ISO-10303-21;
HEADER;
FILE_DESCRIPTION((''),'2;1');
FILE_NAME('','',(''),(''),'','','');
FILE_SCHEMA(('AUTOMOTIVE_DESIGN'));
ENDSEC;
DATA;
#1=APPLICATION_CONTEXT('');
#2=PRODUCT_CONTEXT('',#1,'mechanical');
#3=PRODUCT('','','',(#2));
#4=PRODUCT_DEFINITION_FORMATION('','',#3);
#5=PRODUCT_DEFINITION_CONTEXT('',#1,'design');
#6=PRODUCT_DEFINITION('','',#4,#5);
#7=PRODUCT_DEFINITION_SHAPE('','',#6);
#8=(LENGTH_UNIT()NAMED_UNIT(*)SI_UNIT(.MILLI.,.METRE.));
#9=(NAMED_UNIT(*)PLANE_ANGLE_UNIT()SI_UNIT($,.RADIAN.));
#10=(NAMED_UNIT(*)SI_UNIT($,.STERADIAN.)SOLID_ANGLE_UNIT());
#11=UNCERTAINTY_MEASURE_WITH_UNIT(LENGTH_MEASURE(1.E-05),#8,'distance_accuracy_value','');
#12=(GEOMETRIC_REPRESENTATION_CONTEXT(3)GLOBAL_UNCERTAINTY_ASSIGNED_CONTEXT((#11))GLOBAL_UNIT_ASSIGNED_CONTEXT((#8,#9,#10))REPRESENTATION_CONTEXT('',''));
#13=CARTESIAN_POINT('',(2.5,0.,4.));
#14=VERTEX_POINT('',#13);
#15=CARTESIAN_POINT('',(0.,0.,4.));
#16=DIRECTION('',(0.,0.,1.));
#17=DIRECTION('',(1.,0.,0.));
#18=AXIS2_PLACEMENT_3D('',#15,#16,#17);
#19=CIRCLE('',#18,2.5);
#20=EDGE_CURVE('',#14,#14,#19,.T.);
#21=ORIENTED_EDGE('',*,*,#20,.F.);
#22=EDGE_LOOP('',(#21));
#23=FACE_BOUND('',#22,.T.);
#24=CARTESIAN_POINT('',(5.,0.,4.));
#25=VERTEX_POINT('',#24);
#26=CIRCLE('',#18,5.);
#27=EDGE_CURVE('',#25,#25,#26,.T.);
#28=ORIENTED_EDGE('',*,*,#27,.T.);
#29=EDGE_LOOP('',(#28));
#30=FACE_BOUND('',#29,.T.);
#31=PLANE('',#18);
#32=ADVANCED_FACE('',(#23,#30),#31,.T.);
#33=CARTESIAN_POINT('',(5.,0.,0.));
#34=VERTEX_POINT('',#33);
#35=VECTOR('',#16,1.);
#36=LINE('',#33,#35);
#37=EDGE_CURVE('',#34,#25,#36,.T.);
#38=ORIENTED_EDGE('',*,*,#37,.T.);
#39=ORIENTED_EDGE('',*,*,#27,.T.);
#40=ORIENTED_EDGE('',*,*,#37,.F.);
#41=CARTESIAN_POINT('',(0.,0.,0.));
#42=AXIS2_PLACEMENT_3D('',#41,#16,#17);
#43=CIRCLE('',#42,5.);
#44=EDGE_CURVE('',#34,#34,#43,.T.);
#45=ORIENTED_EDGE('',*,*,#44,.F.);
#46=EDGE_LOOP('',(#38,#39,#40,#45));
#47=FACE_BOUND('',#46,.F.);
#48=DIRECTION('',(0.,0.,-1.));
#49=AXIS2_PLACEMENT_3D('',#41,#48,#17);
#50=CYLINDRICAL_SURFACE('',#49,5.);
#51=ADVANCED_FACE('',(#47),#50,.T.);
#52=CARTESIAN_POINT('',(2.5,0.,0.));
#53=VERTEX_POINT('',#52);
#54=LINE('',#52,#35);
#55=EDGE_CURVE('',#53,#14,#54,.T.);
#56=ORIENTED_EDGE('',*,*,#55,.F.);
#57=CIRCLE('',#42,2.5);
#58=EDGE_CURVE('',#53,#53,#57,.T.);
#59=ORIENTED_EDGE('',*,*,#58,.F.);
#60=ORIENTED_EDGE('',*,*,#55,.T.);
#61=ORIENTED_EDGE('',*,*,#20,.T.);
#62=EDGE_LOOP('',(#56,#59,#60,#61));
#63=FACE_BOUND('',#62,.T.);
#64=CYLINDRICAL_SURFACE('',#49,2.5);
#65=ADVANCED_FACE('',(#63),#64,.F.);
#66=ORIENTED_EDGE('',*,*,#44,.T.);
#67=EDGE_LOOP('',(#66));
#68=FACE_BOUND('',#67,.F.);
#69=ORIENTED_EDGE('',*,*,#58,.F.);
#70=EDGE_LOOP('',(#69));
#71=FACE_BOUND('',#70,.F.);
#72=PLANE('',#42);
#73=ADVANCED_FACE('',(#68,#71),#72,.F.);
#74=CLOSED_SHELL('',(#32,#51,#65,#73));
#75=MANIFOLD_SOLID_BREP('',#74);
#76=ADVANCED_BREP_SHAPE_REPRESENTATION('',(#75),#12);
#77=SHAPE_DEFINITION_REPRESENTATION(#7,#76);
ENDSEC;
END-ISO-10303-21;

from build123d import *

# Parameters (mm, degrees)
SKETCH1_R           = 5
SKETCH1_R_2         = 2.5
BOSS_EXTRUDE1_DEPTH = 4


with BuildPart() as part:
    # Sketch1 → Boss-Extrude1 (new body)
    with BuildSketch(Plane.XY):
        Circle(SKETCH1_R)
        Circle(SKETCH1_R_2, mode=Mode.SUBTRACT)
    extrude(amount=BOSS_EXTRUDE1_DEPTH)


solid = part.part
